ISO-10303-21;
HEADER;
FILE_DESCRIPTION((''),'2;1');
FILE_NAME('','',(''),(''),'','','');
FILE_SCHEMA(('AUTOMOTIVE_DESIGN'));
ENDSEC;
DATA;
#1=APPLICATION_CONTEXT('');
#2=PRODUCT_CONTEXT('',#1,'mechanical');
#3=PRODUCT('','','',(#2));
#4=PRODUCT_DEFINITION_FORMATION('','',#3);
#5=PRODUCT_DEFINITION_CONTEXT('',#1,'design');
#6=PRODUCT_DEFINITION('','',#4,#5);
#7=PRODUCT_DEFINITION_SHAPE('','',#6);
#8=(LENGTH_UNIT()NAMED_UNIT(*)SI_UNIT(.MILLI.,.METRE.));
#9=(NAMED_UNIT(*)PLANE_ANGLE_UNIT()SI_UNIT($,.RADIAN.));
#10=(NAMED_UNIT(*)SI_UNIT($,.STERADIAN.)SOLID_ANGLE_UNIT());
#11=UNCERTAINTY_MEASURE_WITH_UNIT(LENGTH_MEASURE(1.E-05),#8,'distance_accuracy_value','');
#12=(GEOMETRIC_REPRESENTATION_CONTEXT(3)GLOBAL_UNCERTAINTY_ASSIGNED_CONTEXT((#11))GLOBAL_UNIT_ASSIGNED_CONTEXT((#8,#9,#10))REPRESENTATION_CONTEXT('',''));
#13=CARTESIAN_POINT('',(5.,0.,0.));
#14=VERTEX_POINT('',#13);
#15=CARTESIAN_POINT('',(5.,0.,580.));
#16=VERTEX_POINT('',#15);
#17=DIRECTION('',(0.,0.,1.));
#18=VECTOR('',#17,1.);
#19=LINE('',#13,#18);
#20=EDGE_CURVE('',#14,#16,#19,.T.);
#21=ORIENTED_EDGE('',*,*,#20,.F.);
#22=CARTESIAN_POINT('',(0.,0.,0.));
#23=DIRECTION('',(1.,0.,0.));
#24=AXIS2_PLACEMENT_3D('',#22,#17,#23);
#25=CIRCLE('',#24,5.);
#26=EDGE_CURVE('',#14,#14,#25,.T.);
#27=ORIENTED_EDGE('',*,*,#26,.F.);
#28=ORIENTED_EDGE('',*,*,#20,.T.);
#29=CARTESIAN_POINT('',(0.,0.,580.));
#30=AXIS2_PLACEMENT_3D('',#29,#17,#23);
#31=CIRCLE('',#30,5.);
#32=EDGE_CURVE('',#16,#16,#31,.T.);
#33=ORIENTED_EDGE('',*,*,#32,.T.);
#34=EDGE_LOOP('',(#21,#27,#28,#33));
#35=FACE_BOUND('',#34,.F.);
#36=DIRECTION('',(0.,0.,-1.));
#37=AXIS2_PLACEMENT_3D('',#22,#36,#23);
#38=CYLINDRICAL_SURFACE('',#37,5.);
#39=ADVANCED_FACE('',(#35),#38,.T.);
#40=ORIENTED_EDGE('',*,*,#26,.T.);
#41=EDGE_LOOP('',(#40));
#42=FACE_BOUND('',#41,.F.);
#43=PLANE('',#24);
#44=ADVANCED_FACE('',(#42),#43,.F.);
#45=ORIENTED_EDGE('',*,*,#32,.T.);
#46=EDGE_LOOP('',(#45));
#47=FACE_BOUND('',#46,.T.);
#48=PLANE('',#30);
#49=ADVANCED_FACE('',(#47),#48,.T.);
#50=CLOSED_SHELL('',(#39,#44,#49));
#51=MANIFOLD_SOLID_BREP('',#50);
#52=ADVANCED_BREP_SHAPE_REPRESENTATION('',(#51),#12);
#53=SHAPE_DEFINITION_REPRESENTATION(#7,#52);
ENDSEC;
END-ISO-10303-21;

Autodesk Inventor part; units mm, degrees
ref_plane "YZ Plane" through (0, 0, 0) normal (1, 0, 0) x (0, 1, 0)
ref_plane "XZ Plane" through (0, 0, 0) normal (0, 1, 0) x (-1, 0, 0)
ref_plane "XY Plane" through (0, 0, 0) normal (0, 0, 1) x (1, 0, 0)
sketch "Sketch1" plane through (0, 0, 0) normal (0, 0, 1) x (1, 0, 0)
  circle A0 centre (0, 0) radius 5
  dimension "d0" = 10
extrude "Extrusion1" add sketch "Sketch1" along normal blind 580
properties part number "cięgno traction loss"
